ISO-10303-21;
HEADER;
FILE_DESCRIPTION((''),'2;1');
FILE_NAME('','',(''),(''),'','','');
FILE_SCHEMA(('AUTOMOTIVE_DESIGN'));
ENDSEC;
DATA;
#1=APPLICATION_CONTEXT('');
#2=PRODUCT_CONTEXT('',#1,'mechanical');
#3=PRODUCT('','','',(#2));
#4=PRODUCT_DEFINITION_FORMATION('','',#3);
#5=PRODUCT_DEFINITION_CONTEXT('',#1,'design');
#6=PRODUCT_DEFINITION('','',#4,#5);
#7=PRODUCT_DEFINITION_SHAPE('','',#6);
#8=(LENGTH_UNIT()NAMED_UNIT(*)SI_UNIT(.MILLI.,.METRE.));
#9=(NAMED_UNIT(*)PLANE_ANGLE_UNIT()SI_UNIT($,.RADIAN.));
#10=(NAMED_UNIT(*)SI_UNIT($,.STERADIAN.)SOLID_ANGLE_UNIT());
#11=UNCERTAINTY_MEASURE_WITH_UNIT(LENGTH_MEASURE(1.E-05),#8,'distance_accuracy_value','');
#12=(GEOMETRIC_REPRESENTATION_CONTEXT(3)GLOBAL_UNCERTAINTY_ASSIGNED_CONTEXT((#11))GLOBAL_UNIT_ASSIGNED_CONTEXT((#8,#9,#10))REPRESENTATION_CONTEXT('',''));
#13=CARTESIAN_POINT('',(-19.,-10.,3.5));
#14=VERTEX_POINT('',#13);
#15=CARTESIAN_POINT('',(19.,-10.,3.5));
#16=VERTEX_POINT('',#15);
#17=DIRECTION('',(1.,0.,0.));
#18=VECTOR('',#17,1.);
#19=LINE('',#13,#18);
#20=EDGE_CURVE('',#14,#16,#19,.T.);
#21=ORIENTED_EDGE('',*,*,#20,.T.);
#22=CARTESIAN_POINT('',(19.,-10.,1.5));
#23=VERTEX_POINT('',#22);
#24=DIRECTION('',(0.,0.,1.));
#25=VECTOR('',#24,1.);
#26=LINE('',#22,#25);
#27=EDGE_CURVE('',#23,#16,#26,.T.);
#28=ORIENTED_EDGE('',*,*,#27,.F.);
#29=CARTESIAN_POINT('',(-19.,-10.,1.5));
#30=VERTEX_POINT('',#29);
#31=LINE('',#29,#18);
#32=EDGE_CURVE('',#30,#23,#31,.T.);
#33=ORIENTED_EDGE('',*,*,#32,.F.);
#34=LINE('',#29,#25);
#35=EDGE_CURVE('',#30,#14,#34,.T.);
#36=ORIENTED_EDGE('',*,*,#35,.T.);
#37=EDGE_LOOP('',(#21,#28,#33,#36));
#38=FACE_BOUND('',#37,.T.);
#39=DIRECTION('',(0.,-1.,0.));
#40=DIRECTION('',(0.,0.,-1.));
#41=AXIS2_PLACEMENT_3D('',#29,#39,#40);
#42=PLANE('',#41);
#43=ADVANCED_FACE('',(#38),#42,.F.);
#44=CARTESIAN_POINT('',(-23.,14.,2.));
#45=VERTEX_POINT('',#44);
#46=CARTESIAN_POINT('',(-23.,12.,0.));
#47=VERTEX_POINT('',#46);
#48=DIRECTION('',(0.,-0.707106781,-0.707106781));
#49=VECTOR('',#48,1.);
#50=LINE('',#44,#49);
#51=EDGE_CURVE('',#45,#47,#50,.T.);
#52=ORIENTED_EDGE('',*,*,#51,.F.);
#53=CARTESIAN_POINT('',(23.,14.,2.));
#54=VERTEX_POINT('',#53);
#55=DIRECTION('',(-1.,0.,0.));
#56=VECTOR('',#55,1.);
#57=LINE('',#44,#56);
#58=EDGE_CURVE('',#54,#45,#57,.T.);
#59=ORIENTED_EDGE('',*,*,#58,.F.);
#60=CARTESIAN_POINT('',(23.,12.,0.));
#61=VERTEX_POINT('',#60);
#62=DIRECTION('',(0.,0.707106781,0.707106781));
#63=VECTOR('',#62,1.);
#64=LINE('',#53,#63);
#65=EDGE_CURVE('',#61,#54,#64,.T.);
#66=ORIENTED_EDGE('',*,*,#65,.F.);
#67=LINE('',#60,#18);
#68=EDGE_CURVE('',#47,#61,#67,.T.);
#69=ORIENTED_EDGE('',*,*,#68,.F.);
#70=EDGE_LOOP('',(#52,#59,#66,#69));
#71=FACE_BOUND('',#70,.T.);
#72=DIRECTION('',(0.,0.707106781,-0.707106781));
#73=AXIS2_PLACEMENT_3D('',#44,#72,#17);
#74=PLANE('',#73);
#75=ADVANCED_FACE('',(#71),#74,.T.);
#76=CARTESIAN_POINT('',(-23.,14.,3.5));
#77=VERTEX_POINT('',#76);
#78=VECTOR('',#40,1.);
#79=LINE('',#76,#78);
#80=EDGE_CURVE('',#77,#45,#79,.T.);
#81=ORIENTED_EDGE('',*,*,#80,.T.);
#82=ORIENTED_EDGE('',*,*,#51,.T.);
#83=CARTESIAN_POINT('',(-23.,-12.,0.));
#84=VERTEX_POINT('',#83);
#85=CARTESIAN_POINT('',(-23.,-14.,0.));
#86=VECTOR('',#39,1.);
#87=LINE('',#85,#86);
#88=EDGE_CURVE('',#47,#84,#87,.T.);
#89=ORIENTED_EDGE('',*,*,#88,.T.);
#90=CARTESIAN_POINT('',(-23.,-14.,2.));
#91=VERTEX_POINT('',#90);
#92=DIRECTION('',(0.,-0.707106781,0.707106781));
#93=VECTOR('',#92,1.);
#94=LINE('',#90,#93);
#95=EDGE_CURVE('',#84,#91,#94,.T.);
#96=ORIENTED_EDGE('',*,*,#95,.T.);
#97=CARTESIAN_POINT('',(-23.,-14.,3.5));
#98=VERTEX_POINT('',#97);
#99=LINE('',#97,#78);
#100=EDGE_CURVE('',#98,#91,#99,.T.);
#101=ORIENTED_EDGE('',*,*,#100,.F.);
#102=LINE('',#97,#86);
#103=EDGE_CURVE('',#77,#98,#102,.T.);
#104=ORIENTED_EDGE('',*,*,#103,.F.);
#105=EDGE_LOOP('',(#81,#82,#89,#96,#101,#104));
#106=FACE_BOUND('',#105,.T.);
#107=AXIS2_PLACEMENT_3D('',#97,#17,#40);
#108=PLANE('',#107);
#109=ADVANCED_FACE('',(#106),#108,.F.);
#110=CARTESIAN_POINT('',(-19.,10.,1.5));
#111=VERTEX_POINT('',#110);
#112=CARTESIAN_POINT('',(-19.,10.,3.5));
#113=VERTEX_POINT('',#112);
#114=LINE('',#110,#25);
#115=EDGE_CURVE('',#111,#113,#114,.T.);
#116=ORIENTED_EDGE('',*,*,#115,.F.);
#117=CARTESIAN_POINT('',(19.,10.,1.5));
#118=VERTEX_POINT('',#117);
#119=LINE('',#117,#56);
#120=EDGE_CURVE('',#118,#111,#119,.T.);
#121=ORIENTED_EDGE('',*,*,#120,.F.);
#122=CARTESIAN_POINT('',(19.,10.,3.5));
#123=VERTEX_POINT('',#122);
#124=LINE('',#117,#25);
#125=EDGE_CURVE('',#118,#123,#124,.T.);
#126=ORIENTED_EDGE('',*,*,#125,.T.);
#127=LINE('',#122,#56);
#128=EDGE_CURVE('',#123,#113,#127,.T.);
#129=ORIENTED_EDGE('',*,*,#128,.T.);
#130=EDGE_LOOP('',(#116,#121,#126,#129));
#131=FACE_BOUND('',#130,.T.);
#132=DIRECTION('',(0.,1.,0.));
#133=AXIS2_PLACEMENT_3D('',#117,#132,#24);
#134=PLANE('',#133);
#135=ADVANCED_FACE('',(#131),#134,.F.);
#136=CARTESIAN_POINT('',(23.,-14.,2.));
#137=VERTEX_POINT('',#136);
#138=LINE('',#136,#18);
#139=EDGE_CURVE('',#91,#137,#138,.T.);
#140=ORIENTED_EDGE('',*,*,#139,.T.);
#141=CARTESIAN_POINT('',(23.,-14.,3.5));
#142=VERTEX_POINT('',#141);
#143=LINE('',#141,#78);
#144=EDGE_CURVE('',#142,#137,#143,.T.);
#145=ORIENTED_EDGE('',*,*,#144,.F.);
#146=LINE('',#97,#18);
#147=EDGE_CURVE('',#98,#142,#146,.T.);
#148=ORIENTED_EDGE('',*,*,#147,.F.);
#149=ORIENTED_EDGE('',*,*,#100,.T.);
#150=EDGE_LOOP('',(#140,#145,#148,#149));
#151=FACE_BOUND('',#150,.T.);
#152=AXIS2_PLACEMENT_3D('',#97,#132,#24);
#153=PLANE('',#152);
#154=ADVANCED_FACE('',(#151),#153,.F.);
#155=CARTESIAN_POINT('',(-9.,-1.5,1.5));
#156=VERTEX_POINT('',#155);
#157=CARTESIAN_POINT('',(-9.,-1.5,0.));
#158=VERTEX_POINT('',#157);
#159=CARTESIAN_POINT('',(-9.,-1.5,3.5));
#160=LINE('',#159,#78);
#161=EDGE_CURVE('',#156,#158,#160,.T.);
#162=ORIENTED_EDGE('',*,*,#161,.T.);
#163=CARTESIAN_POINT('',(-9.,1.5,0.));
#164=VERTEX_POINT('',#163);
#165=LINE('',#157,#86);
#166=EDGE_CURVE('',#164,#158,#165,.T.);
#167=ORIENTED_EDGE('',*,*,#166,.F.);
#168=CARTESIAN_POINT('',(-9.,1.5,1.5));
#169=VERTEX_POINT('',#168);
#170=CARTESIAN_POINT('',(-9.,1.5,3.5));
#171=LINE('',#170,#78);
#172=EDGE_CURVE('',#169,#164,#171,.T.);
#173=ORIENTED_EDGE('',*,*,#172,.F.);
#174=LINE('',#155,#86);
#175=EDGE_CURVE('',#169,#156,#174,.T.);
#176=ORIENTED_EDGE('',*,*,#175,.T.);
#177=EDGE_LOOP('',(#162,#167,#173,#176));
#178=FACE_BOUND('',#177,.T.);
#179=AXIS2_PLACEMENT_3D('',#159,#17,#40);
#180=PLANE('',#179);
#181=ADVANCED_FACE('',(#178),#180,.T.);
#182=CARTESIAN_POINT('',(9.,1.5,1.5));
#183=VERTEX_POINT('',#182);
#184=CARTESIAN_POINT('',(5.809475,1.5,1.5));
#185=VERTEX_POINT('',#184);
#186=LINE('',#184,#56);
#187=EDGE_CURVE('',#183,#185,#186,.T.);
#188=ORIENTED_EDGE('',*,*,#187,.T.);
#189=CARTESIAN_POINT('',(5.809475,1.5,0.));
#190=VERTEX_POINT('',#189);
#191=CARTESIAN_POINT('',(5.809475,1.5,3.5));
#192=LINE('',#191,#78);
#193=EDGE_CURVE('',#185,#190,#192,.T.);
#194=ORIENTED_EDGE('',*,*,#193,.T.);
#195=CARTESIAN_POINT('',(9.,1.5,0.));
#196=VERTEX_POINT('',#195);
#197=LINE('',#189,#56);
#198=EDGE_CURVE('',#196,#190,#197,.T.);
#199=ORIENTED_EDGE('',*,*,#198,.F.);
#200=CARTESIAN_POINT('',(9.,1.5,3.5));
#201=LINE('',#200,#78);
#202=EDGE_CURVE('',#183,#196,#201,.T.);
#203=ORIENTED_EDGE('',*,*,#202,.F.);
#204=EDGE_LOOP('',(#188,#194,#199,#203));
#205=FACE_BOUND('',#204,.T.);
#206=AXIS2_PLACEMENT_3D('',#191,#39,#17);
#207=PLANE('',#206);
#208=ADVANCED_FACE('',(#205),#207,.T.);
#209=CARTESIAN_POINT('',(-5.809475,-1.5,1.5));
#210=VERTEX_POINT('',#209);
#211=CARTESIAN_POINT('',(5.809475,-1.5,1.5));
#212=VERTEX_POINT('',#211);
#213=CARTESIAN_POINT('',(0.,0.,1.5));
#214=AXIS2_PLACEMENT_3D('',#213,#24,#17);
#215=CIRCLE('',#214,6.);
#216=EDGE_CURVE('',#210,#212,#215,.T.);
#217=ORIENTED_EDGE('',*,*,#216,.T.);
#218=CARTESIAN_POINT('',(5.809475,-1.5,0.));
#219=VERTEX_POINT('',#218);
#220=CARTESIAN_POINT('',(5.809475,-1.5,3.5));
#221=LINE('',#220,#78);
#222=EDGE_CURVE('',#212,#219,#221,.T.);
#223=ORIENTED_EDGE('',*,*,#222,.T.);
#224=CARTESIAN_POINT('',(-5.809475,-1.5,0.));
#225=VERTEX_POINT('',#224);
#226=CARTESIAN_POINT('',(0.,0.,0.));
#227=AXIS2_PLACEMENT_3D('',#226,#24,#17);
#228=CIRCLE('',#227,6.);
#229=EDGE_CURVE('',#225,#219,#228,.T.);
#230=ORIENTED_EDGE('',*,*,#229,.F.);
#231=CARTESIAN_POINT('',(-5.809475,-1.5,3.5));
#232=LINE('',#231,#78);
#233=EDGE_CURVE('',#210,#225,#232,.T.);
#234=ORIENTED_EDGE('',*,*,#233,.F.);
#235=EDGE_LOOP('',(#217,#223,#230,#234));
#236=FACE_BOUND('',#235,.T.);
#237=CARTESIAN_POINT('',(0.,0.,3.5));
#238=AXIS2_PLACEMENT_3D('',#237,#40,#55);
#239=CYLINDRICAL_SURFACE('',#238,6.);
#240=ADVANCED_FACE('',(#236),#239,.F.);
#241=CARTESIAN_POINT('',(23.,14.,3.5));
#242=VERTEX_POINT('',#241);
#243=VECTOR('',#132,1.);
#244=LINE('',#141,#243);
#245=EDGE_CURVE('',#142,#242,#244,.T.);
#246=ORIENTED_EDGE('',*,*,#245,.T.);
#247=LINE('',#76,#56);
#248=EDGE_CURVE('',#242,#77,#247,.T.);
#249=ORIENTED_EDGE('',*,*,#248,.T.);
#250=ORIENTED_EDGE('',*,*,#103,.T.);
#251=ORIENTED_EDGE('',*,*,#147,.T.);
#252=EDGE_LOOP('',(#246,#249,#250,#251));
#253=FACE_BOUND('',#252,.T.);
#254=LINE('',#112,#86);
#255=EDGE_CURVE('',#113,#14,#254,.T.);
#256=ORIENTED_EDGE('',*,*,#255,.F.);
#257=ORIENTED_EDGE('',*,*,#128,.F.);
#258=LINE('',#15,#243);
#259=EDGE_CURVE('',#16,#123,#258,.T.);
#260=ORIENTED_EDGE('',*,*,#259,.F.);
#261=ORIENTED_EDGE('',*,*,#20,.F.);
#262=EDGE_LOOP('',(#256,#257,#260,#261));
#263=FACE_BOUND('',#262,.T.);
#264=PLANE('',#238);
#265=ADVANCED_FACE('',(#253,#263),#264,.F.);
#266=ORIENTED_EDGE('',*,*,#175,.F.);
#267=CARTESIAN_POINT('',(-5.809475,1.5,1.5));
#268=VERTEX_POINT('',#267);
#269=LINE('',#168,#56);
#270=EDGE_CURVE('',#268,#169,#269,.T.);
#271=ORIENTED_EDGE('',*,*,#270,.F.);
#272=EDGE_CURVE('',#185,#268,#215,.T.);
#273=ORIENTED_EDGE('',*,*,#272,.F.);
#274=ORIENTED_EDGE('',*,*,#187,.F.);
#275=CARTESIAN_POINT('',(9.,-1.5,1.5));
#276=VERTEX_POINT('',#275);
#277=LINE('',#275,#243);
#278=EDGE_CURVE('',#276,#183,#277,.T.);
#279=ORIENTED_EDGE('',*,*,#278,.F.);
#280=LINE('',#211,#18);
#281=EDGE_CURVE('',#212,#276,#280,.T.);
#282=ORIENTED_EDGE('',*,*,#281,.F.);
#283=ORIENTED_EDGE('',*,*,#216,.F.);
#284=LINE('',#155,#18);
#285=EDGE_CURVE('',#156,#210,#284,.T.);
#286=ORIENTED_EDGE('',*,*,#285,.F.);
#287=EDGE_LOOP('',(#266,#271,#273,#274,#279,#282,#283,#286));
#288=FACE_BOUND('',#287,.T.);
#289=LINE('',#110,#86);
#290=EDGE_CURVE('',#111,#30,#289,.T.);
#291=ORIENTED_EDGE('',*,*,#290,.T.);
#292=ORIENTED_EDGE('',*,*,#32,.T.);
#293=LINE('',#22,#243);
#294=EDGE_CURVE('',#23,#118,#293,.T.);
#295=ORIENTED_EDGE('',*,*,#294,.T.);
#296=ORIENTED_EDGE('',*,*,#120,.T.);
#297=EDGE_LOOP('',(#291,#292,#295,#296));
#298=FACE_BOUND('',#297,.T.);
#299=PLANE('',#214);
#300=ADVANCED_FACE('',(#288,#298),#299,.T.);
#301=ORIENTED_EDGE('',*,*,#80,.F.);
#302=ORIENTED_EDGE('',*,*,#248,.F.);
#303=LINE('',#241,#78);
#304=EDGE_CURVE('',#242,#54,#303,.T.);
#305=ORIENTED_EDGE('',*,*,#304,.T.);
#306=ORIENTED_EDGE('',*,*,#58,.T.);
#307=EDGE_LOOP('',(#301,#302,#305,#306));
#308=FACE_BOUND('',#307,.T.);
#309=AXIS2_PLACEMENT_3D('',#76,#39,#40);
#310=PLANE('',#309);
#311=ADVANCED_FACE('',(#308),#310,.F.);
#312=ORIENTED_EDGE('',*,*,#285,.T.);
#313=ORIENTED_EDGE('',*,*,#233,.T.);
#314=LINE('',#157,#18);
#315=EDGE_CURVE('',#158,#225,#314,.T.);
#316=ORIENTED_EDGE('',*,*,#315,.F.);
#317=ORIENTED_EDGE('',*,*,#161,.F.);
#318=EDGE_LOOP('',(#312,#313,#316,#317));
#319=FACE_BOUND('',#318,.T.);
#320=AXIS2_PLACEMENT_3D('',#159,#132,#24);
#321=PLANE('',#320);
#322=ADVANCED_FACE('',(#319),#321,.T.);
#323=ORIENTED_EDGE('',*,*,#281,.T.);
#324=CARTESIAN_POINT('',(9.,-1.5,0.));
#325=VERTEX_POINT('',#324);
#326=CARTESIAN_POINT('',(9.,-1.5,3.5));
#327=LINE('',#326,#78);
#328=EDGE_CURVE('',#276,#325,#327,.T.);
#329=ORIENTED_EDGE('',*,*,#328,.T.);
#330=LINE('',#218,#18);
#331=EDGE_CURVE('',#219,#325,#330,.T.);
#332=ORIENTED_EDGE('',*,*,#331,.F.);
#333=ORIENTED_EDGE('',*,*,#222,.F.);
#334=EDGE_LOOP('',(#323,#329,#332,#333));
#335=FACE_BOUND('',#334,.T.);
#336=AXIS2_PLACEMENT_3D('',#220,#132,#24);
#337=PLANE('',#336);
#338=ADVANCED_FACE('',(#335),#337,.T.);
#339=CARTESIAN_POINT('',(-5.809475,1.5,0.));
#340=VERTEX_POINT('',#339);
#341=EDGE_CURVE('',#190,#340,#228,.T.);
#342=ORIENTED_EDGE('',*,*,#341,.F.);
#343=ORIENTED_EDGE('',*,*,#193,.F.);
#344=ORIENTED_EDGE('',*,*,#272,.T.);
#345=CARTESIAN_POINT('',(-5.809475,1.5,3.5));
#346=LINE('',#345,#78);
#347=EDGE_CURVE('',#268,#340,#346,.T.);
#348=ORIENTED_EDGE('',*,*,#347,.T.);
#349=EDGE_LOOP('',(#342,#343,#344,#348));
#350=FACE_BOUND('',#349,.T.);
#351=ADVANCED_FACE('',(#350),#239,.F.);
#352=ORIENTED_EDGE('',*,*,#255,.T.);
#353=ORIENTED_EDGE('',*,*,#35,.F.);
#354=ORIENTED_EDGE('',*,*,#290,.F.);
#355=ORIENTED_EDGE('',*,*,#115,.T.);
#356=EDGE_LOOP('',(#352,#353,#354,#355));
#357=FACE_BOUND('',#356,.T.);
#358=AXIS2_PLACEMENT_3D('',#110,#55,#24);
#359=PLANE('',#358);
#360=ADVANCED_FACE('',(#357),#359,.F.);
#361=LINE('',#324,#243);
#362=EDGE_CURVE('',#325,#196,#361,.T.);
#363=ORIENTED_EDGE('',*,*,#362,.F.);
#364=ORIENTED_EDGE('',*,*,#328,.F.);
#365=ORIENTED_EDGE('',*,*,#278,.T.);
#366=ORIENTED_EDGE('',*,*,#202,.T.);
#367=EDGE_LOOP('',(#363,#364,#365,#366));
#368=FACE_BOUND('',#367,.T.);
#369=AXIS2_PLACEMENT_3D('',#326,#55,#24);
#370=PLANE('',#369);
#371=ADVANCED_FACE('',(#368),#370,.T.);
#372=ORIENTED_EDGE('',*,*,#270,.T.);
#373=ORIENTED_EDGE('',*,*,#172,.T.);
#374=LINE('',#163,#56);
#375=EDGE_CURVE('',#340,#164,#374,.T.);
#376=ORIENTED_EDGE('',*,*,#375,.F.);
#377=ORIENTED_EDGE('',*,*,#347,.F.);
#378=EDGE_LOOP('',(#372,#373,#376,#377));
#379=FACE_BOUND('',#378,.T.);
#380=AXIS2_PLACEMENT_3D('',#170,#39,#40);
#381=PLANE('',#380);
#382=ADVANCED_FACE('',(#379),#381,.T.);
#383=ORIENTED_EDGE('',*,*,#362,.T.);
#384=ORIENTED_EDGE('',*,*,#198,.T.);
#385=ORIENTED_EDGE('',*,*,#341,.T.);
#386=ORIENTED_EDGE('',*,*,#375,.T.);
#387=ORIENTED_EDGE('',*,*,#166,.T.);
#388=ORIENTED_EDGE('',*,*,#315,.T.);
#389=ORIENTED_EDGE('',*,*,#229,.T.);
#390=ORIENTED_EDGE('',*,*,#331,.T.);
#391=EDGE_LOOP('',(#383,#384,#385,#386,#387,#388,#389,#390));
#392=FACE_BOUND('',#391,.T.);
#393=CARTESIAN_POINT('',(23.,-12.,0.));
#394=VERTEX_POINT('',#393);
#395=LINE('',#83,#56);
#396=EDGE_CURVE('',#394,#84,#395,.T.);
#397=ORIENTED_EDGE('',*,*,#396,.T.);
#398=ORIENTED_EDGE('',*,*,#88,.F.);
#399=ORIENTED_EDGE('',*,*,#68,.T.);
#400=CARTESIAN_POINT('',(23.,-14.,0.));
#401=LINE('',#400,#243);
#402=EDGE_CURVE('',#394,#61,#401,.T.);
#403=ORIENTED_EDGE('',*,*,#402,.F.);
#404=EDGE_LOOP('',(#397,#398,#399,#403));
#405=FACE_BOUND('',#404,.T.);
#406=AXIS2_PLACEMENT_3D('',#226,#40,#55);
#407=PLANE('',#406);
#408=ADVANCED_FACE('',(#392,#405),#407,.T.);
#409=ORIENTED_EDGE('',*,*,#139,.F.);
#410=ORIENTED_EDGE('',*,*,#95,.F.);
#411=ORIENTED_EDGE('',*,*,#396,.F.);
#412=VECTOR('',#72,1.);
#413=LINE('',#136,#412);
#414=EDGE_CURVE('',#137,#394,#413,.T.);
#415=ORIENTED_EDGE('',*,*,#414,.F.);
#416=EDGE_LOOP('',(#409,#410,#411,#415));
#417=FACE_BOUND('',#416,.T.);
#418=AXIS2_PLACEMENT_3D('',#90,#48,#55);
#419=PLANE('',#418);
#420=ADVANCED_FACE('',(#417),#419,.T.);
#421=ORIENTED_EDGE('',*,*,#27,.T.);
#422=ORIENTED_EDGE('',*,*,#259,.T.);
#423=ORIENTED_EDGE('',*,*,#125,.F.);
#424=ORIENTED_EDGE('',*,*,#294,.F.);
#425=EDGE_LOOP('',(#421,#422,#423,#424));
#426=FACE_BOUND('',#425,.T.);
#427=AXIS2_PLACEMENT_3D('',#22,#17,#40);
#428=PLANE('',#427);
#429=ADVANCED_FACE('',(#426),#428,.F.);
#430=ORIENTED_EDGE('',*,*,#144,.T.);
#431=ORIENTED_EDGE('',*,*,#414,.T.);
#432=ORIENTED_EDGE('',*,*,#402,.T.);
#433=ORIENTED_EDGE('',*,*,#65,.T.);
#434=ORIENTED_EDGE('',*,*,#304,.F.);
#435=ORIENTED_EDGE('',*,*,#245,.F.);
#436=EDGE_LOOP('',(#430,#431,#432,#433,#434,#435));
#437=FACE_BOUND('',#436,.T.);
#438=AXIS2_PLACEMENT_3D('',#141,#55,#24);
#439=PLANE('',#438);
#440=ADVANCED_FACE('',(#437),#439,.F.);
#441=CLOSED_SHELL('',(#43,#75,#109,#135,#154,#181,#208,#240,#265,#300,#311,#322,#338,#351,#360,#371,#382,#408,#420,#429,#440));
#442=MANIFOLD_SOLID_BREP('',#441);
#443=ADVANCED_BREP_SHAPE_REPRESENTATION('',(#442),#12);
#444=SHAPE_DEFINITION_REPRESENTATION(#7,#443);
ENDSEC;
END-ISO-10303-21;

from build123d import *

# Parameters (mm, degrees)
SKETCH_1_W          = 46
SKETCH_1_H          = 28
EXTRUDE_1_DEPTH     = 3.5
SKETCH_2_W          = 38
SKETCH_2_H          = 20
CUT_EXTRUDE_1_DEPTH = 2
CHAMFER_1_SIZE      = 2


with BuildPart() as part:
    # 草图1 → 凸台-拉伸1 (new body)
    with BuildSketch(Plane.XY):
        Rectangle(SKETCH_1_W, SKETCH_1_H)
        with BuildLine():
            Line((5.809475019, 1.5), (9, 1.5))
            Line((9, 1.5), (9, -1.5))
            Line((9, -1.5), (5.809475019, -1.5))
            ThreePointArc((5.809475019, -1.5), (0, -6), (-5.809475019, -1.5))
            Line((-5.809475019, -1.5), (-9, -1.5))
            Line((-9, -1.5), (-9, 1.5))
            Line((-9, 1.5), (-5.809475019, 1.5))
            ThreePointArc((-5.809475019, 1.5), (0, 6), (5.809475019, 1.5))
        make_face(mode=Mode.SUBTRACT)
    extrude(amount=EXTRUDE_1_DEPTH)

    # 草图2 → 切除-拉伸1 (cut)
    with BuildSketch(Plane.XY.offset(3.5)):
        Rectangle(SKETCH_2_W, SKETCH_2_H)
    extrude(amount=-CUT_EXTRUDE_1_DEPTH, mode=Mode.SUBTRACT)

    # 倒角1
    chamfer_1_edges = [part.edges().sort_by_distance(p)[0] for p in [
        (0, -14, 0),
        (0, 14, 0),
    ]]
    chamfer(chamfer_1_edges, length=CHAMFER_1_SIZE)


solid = part.part
